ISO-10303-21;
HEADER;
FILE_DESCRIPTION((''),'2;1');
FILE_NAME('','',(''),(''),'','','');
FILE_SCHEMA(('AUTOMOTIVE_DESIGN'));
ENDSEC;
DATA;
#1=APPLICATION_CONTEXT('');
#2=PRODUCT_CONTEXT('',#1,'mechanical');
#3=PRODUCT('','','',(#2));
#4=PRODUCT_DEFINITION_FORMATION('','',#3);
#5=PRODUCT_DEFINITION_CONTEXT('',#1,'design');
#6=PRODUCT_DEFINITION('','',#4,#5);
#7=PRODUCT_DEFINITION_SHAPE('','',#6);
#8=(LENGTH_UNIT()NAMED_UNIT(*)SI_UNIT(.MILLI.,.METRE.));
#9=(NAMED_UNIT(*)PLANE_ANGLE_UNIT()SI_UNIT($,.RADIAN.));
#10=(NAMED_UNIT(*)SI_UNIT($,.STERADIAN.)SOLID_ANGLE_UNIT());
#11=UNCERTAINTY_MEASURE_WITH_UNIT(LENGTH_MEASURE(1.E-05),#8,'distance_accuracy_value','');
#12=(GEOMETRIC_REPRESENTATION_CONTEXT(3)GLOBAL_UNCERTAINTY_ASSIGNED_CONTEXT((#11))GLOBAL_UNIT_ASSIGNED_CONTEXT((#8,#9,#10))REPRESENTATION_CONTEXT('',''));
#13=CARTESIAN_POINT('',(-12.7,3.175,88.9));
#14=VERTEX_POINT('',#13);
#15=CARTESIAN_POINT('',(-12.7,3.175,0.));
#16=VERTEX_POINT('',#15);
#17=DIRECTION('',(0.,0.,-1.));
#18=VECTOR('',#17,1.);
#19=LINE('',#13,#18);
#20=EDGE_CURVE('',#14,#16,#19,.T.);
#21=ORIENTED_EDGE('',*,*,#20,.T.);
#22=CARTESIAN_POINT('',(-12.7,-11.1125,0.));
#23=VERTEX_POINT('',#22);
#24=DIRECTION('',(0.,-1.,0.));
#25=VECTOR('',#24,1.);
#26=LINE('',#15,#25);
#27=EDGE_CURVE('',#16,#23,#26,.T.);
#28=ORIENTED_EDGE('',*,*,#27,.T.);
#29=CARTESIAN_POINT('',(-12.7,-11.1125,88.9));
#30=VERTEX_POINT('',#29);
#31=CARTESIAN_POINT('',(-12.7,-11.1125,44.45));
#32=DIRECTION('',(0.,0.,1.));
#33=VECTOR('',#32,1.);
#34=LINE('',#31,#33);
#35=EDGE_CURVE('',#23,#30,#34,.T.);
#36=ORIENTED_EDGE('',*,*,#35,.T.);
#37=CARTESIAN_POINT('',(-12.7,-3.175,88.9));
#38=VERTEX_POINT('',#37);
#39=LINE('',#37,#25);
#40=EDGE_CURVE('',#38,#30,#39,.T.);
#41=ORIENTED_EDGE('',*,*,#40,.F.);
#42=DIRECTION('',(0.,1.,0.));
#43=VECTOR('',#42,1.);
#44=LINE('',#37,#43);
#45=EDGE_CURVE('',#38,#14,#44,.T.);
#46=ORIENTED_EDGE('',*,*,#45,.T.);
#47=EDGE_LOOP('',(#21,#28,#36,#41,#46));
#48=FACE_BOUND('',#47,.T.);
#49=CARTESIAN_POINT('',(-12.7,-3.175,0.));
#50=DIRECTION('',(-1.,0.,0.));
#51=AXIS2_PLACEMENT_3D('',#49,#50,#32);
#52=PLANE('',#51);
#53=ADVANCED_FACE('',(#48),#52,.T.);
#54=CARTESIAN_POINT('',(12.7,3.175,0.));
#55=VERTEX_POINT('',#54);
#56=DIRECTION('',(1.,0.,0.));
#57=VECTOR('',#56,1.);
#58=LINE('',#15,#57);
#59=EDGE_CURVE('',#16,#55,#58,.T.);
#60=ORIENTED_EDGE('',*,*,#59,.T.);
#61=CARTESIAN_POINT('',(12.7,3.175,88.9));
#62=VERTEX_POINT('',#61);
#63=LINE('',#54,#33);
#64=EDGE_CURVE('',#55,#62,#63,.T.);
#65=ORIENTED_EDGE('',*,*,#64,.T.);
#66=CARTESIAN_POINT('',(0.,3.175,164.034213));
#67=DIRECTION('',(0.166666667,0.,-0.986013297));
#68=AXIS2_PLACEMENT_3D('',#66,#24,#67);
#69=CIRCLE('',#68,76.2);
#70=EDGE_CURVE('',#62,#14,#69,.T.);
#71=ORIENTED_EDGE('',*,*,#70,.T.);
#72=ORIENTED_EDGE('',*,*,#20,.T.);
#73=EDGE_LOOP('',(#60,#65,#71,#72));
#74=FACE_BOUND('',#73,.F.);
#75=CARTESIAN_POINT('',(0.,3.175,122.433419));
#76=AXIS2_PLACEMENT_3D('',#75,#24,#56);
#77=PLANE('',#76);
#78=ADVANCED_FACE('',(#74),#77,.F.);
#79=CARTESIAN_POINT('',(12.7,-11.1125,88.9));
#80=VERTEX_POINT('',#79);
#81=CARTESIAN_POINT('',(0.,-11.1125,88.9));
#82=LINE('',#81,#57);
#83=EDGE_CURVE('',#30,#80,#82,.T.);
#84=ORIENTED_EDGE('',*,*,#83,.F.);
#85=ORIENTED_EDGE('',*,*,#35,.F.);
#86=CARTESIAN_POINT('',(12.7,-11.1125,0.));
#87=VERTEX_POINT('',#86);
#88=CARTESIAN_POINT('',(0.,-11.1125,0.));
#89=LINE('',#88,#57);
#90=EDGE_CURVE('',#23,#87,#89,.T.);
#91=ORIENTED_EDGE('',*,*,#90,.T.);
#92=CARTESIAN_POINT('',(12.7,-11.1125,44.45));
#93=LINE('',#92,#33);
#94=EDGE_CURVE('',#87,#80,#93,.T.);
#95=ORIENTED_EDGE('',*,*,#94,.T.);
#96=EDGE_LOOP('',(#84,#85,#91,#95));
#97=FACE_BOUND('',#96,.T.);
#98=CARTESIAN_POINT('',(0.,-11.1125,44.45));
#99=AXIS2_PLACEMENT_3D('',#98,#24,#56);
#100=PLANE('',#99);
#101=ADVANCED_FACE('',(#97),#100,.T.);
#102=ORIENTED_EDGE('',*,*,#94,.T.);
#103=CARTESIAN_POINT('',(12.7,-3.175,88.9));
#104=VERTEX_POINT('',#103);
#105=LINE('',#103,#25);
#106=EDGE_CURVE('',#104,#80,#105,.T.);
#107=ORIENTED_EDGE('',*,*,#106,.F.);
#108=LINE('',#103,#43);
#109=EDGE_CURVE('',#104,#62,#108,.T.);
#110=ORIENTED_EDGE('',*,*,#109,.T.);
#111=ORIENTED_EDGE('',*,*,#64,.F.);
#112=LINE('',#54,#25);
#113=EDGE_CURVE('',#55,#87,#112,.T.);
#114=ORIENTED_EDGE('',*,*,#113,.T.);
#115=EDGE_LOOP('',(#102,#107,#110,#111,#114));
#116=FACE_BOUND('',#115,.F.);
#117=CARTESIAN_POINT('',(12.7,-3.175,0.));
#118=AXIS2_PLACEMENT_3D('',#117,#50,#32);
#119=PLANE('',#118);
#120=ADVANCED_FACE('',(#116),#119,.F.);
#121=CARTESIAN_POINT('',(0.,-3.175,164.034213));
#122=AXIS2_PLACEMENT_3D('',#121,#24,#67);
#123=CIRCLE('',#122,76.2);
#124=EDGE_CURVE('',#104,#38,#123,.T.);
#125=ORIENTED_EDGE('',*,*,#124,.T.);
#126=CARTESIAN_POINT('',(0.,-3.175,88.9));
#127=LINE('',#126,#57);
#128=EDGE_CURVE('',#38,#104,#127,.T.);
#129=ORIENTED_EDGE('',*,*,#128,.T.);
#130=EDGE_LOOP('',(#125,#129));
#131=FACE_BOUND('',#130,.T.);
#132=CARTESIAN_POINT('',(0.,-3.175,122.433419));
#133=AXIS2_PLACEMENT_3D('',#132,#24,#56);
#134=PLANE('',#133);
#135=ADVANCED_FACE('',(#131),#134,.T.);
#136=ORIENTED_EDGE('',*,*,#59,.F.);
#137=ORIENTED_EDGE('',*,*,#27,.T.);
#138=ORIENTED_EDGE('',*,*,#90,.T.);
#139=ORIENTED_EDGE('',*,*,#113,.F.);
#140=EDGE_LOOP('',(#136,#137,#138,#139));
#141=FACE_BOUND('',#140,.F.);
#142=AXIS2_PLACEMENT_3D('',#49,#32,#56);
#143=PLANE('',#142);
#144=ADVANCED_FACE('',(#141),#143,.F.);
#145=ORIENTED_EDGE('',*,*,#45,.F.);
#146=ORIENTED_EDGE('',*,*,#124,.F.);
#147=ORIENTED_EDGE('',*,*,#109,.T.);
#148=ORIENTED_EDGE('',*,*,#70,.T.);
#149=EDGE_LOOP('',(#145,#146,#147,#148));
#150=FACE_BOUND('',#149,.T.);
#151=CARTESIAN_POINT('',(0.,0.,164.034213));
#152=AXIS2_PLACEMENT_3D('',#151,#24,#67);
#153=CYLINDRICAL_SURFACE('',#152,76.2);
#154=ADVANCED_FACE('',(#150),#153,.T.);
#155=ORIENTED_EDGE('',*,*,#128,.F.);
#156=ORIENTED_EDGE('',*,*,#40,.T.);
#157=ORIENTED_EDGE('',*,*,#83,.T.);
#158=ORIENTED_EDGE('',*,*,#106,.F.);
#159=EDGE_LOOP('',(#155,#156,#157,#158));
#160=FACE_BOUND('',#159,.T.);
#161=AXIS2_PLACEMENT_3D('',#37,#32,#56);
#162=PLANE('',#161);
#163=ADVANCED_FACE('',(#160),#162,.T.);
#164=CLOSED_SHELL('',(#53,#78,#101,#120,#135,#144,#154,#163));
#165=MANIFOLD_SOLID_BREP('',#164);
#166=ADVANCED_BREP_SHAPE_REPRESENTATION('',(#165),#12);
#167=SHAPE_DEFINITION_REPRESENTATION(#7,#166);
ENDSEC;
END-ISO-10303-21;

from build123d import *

# Parameters (mm, degrees)
F1_DEPTH = 3.175
F2_W     = 25.4
F2_H     = 88.9
F3_DEPTH = 7.9375


with BuildPart() as f1:
    # F0 (on Front) → F1 (new body, symmetric)
    with BuildSketch(Plane.XZ):
        with BuildLine():
            Line((-12.7, 88.9), (-12.7, 0))
            Line((-12.7, 0), (12.7, 0))
            Line((12.7, 0), (12.7, 88.9))
            ThreePointArc((12.7, 88.9), (0, 240.234213), (-12.7, 88.9))
        make_face()
    extrude(amount=F1_DEPTH, both=True)

    # F2 (on face) → F3 (join)
    with BuildSketch(Plane.XZ.offset(3.175)):
        with Locations((0, 44.45)):
            Rectangle(F2_W, F2_H)
    extrude(amount=F3_DEPTH)


solid = f1.part
